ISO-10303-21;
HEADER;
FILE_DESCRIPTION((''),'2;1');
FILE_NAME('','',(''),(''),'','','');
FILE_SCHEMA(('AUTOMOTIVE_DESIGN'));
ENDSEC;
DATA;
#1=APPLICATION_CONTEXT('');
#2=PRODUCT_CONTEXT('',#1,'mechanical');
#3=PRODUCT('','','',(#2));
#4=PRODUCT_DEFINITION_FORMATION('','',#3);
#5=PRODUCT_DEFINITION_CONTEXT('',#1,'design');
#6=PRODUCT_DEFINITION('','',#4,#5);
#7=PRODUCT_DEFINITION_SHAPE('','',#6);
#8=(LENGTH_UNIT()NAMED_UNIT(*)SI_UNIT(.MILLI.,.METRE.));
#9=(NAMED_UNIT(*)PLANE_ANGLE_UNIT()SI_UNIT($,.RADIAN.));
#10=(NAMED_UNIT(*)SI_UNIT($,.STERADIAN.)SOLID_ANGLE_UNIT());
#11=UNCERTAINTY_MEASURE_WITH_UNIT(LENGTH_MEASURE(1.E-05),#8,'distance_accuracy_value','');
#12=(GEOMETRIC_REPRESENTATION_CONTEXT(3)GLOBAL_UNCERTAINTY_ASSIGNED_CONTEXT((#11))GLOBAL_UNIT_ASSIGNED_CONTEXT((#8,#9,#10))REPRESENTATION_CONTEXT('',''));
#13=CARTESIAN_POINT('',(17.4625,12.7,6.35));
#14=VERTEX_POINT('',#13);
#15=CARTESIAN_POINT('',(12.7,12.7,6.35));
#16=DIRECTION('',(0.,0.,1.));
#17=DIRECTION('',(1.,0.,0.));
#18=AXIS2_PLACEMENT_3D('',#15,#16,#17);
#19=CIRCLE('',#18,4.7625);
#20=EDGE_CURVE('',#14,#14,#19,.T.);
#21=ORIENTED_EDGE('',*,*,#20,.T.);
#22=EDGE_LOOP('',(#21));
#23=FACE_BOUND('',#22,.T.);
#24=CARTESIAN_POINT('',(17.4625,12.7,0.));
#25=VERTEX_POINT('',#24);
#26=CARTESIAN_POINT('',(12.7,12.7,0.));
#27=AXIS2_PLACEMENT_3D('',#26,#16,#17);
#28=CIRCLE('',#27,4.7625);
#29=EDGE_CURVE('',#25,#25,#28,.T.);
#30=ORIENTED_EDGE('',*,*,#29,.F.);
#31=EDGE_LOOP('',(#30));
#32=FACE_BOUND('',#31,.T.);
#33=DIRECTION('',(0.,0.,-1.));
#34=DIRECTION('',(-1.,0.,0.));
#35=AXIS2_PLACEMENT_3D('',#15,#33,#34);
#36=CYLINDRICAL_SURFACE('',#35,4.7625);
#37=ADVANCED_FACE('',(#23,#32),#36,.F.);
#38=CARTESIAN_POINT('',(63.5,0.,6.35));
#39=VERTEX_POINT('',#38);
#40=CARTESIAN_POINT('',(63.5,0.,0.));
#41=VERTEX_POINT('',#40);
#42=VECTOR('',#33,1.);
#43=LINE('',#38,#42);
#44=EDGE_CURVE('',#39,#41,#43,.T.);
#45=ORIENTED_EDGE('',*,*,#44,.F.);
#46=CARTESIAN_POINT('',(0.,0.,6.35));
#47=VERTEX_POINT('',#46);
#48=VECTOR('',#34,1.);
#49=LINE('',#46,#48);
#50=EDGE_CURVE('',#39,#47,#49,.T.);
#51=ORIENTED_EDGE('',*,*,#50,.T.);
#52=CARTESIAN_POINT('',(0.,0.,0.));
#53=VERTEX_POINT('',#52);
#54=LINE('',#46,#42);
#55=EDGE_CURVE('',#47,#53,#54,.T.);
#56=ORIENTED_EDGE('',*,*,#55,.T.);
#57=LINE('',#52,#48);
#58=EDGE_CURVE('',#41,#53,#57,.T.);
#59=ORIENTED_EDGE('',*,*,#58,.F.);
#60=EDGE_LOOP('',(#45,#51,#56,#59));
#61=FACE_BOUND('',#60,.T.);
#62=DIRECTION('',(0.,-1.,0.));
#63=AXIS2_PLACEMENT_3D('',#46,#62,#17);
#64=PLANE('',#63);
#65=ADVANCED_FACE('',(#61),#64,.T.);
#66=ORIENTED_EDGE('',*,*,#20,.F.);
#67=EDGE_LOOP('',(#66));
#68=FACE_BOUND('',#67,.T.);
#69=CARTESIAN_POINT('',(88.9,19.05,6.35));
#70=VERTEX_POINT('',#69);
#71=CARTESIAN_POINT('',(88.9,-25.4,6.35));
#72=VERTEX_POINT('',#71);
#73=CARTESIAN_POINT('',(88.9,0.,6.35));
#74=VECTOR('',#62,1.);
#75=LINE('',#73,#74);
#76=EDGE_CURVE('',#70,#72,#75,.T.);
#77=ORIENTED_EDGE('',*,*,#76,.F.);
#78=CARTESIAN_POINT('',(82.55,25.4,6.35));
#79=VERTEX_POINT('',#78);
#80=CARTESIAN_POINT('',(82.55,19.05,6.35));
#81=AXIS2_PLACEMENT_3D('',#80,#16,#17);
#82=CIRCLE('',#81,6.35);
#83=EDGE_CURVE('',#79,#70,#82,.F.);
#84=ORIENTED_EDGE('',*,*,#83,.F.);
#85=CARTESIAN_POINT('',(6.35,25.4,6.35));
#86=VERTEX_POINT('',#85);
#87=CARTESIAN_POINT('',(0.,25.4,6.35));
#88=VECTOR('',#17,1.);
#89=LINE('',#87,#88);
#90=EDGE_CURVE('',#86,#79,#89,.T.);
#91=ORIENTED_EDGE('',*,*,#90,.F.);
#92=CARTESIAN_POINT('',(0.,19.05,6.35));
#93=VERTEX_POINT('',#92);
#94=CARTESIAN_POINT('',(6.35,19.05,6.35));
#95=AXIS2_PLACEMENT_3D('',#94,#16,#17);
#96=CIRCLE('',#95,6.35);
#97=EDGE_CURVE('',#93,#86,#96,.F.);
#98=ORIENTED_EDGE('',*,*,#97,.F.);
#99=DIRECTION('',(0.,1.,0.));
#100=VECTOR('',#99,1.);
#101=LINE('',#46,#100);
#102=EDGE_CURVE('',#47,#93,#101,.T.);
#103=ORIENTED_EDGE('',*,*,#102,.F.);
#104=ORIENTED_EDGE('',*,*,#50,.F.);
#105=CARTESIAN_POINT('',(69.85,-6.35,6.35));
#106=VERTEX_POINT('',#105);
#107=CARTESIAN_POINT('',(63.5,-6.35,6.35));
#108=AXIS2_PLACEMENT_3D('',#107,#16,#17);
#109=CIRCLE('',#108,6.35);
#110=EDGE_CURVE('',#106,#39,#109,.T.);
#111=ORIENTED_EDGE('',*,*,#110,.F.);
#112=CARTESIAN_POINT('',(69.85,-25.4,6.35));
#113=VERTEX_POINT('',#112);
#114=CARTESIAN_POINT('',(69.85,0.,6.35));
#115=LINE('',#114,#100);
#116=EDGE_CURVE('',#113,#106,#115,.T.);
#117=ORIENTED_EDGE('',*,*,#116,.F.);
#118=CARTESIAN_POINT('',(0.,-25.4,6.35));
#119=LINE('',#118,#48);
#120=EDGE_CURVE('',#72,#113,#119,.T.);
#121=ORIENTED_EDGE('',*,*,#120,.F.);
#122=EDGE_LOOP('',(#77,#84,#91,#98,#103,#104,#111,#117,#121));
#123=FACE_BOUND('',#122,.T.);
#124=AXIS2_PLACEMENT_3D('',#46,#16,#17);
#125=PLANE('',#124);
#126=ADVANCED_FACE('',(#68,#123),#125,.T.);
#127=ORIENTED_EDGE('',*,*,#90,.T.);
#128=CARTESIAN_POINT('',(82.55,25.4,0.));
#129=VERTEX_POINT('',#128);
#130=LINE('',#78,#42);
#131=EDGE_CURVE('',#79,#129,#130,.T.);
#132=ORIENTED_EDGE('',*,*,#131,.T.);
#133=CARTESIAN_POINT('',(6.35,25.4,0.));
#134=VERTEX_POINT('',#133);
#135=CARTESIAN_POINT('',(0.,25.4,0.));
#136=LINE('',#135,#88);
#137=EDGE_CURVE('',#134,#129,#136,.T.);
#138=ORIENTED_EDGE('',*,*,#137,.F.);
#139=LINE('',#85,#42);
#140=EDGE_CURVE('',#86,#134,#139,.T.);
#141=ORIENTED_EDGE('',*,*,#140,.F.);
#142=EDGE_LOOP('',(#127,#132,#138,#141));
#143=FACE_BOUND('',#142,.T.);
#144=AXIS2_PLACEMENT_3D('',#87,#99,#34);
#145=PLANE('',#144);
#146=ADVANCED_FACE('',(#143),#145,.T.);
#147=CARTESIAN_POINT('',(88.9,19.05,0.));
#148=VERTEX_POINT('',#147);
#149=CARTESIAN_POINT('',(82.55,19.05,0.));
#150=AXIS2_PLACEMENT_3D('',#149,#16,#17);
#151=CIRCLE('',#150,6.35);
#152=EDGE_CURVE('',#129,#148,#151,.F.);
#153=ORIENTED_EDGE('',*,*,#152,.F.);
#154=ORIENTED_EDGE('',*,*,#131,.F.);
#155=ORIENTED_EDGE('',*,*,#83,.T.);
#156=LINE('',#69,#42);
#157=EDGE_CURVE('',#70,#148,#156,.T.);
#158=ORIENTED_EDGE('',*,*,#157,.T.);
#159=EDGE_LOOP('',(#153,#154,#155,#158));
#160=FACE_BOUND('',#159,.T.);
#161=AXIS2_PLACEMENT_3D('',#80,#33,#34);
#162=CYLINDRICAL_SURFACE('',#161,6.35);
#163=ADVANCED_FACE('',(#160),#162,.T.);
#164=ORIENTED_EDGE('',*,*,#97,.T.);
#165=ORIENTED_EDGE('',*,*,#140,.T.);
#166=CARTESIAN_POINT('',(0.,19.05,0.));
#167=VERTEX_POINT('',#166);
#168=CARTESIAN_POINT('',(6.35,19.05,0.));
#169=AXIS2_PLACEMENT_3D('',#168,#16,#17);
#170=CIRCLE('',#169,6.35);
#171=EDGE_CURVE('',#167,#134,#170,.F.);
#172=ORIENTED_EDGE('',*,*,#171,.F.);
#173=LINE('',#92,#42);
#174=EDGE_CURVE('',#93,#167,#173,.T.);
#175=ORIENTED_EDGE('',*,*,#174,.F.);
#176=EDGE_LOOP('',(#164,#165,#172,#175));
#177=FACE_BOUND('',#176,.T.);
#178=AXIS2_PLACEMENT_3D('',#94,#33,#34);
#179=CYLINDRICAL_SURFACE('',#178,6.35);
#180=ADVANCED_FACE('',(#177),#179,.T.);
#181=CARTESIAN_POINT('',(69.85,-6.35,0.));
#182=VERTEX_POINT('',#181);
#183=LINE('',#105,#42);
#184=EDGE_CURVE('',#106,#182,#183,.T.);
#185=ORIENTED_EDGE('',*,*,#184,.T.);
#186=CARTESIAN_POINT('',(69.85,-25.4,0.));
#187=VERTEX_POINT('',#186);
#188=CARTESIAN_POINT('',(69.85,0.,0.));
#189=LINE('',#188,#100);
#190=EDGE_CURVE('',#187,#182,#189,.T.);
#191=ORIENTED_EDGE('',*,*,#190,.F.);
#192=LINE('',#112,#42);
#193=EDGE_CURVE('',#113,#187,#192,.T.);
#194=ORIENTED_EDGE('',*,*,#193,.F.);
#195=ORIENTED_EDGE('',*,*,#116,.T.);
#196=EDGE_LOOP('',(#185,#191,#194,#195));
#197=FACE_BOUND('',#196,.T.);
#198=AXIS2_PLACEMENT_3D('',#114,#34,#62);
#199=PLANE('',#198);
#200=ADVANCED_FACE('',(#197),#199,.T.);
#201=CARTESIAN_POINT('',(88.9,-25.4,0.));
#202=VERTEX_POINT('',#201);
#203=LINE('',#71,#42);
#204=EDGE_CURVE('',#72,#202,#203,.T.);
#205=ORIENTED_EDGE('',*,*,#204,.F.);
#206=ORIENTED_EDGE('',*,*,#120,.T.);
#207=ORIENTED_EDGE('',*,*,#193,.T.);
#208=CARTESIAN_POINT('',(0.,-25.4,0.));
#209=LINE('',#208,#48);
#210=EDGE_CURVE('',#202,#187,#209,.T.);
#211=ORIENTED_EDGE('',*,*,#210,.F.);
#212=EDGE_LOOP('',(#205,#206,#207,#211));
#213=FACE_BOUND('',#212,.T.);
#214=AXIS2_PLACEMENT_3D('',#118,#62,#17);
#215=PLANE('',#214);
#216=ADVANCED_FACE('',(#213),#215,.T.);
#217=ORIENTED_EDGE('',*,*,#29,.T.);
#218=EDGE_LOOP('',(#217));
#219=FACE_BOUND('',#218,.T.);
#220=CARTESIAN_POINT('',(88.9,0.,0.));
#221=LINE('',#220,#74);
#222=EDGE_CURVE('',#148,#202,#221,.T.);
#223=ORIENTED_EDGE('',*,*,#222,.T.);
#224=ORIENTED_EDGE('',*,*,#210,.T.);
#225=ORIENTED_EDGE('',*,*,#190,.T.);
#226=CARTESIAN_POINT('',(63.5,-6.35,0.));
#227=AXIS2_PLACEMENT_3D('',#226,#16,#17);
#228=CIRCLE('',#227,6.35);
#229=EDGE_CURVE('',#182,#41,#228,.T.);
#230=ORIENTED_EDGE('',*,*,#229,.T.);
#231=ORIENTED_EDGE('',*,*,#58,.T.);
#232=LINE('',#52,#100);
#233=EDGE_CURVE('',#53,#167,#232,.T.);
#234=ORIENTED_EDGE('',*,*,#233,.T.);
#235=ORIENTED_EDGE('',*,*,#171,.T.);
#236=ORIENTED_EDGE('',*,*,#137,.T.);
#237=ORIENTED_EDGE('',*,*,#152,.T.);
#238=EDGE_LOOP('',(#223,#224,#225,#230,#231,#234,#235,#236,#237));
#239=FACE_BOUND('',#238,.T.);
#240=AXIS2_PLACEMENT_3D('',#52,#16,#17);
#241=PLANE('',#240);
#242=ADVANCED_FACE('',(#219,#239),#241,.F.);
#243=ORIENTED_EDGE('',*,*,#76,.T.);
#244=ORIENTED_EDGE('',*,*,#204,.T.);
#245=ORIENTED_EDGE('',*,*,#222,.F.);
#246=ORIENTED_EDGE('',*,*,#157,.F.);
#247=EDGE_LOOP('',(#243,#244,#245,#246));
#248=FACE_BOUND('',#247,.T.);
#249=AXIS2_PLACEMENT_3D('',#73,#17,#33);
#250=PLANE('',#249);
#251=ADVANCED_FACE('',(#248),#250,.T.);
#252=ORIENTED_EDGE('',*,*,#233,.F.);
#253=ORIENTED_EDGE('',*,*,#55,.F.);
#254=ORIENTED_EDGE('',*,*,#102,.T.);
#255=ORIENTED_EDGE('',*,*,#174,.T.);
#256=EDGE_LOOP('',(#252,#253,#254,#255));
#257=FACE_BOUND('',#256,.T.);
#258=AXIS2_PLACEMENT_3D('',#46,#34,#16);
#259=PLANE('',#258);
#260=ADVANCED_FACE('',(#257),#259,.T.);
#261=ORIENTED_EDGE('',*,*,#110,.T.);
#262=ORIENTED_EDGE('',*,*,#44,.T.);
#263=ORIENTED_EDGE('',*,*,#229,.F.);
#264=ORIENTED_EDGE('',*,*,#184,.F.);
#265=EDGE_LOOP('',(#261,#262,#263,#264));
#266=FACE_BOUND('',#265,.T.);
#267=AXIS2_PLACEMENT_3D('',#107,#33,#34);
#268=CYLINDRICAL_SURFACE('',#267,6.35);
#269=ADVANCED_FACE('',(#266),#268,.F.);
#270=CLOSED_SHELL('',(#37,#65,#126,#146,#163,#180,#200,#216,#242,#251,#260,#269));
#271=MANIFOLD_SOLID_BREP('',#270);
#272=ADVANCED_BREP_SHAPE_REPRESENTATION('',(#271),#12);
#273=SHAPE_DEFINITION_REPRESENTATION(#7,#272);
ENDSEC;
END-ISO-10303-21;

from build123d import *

# Parameters (mm, degrees)
SKETCH4_R           = 4.7625
BOSS_EXTRUDE2_DEPTH = 6.35


with BuildPart() as part:
    # Sketch4 → Boss-Extrude2 (new body)
    with BuildSketch(Plane.XY):
        with BuildLine():
            Line((0, 0), (0, 19.05))
            ThreePointArc((0, 19.05), (1.859871939, 23.540128061), (6.35, 25.4))
            Line((6.35, 25.4), (82.55, 25.4))
            ThreePointArc((82.55, 25.4), (87.040128061, 23.540128061), (88.9, 19.05))
            Line((88.9, 19.05), (88.9, -25.4))
            Line((88.9, -25.4), (69.85, -25.4))
            Line((69.85, -25.4), (69.85, -6.35))
            ThreePointArc((69.85, -6.35), (67.990128061, -1.859871939), (63.5, 0))
            Line((63.5, 0), (0, 0))
        make_face()
        with Locations((12.7, 12.7)):
            Circle(SKETCH4_R, mode=Mode.SUBTRACT)
    extrude(amount=BOSS_EXTRUDE2_DEPTH)


solid = part.part
